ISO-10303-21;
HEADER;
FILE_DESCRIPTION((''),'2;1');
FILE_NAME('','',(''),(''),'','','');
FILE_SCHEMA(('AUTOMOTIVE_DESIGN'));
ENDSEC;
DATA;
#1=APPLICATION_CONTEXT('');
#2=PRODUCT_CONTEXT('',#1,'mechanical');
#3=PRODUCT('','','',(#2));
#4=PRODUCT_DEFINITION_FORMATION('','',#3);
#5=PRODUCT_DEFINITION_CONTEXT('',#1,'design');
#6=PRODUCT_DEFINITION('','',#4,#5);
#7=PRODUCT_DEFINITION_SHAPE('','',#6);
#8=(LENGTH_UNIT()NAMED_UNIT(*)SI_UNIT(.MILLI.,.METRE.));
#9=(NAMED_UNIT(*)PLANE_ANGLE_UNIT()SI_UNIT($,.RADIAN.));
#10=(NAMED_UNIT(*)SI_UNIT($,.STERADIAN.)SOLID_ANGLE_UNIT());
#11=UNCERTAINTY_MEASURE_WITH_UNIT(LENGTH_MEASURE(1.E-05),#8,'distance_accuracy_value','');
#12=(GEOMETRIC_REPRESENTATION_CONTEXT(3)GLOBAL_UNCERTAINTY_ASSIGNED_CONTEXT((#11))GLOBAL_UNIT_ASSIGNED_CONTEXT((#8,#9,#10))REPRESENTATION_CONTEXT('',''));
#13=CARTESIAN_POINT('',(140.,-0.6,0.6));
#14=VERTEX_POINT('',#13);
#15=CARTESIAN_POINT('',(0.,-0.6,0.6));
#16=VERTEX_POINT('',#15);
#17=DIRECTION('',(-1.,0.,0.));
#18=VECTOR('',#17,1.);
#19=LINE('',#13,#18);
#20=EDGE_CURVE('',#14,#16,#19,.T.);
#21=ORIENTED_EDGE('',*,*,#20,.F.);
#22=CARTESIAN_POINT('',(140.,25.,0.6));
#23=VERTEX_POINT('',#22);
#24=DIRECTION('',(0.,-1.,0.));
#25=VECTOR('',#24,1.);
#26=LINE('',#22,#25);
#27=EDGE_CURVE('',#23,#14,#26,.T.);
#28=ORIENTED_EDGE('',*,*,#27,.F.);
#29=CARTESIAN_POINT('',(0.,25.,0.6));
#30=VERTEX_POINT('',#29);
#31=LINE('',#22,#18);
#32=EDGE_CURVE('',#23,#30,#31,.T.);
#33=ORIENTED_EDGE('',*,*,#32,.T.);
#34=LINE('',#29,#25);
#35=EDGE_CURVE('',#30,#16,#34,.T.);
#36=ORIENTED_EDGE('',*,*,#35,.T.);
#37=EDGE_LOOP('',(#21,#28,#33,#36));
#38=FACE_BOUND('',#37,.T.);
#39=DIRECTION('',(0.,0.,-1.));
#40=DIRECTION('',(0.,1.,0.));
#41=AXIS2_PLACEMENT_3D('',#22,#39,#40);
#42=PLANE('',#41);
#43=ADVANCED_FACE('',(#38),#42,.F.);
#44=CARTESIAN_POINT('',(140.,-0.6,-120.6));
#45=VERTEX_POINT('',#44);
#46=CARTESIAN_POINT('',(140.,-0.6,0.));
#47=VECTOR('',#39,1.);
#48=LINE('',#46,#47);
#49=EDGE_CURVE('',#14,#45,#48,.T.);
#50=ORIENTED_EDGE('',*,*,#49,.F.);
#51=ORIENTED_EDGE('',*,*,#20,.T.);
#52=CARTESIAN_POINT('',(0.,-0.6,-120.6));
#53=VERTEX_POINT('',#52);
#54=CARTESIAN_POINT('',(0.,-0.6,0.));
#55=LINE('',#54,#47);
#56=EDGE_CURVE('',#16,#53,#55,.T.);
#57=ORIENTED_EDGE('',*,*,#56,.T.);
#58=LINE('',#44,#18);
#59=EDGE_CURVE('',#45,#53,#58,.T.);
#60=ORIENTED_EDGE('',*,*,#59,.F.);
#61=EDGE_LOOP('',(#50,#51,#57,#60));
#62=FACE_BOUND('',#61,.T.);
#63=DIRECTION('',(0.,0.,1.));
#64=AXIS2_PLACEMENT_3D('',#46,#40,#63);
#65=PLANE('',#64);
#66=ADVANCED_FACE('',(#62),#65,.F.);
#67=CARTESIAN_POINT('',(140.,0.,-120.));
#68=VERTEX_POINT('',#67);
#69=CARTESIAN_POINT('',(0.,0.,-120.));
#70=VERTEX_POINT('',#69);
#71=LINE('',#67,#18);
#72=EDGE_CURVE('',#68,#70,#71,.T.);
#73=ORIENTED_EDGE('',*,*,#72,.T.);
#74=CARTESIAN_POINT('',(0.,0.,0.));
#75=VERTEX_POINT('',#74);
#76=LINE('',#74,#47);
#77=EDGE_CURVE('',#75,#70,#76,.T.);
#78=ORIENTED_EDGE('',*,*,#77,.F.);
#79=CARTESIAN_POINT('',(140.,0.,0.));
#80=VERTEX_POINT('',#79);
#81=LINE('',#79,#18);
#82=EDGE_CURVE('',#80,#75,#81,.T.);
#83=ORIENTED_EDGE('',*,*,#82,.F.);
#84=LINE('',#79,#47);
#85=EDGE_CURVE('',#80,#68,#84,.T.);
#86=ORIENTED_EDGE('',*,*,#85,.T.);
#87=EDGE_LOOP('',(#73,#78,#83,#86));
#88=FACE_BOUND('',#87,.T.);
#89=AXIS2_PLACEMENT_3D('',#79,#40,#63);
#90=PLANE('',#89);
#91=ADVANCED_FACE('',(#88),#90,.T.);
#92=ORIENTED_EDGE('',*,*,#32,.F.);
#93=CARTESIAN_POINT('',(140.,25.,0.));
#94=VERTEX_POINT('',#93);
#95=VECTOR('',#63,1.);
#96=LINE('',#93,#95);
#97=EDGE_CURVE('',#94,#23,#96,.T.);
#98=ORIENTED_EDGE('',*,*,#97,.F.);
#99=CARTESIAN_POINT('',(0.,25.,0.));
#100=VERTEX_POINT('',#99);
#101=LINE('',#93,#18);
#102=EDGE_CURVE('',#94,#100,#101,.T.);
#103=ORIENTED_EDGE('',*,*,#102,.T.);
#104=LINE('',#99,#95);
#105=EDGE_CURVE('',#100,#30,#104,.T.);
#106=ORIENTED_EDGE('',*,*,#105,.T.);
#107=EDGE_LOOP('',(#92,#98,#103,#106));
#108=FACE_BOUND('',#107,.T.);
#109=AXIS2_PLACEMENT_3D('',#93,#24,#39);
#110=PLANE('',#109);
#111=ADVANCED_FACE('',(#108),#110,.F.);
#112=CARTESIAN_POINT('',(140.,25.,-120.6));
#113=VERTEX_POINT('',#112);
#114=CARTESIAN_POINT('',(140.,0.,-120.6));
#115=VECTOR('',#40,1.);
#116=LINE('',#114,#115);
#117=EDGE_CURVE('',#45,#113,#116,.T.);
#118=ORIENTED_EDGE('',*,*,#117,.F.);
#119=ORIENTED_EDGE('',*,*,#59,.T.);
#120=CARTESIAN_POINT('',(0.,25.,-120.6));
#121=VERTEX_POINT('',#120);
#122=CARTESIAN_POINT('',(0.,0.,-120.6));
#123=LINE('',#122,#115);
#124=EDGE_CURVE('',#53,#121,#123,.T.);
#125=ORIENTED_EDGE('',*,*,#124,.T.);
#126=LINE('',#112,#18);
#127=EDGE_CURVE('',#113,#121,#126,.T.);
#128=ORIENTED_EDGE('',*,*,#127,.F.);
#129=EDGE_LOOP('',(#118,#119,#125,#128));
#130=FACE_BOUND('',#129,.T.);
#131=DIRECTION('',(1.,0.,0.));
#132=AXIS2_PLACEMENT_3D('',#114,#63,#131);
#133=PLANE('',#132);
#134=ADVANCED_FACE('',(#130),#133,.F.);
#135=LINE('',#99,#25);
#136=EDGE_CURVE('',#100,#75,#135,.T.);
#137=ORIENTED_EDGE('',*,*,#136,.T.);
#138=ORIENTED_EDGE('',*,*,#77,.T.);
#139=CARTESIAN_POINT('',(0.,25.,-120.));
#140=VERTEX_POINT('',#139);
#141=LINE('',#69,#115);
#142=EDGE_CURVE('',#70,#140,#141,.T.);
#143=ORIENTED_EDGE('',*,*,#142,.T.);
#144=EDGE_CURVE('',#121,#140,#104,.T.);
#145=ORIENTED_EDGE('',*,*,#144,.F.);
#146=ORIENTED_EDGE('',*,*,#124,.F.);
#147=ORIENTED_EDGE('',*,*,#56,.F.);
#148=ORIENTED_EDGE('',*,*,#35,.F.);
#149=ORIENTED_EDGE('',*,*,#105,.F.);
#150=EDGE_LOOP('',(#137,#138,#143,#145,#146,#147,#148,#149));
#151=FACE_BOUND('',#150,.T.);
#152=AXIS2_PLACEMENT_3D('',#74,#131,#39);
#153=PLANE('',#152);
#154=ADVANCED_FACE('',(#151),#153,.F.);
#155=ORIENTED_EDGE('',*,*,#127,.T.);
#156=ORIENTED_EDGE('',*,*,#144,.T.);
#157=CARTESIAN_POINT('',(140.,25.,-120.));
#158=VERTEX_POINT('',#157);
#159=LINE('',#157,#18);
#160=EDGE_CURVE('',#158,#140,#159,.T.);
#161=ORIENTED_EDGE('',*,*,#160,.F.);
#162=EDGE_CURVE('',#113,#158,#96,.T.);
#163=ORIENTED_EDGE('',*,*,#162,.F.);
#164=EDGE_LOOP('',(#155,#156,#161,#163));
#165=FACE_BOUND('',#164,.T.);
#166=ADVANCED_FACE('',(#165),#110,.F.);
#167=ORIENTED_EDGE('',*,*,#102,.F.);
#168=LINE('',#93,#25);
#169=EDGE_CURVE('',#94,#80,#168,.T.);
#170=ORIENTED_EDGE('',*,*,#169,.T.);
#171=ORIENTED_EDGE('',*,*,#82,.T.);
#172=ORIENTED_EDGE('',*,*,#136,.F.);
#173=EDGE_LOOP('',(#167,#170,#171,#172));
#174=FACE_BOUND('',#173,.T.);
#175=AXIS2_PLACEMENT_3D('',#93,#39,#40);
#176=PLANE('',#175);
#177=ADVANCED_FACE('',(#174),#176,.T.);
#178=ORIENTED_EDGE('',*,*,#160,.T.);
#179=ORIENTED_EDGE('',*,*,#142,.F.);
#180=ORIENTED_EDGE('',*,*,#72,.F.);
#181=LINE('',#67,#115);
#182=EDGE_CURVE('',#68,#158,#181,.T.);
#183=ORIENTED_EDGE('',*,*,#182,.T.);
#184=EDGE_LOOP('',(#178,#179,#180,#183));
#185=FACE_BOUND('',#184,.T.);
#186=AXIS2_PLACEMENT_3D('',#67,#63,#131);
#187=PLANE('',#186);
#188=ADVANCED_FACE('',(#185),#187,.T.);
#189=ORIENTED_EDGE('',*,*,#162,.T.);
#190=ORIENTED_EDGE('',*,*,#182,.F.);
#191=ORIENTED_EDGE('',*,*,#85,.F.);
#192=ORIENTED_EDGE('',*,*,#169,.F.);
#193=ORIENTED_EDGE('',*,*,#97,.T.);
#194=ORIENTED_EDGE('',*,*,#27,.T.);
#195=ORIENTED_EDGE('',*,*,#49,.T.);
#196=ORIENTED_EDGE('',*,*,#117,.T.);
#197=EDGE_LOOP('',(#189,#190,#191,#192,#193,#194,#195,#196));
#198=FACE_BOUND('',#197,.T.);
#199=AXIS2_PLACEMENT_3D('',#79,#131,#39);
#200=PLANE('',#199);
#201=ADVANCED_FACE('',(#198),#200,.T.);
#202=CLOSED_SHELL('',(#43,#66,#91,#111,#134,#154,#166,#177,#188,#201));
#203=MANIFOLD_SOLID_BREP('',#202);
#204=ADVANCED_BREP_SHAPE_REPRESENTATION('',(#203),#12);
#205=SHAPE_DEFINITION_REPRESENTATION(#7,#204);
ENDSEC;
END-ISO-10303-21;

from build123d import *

# Parameters (mm, degrees)
CROQUIS1_W              = 120
CROQUIS1_H              = 25
SALIENTE_EXTRUIR1_DEPTH = 140
VACIADO1_T              = 0.6


with BuildPart() as part:
    # Croquis1 → Saliente-Extruir1 (new body)
    with BuildSketch(Plane(origin=(0, 0, 0), x_dir=(0, 0, -1), z_dir=(1, 0, 0))):
        with Locations((60, 12.5)):
            Rectangle(CROQUIS1_W, CROQUIS1_H)
    extrude(amount=SALIENTE_EXTRUIR1_DEPTH)

    # Vaciado1
    vaciado1_openings = [part.faces().sort_by_distance(p)[0] for p in [
        (70, 25, -60),
        (0, 12.5, -60),
        (140, 12.5, -60),
    ]]
    offset(amount=VACIADO1_T, openings=vaciado1_openings, kind=Kind.INTERSECTION)


solid = part.part
